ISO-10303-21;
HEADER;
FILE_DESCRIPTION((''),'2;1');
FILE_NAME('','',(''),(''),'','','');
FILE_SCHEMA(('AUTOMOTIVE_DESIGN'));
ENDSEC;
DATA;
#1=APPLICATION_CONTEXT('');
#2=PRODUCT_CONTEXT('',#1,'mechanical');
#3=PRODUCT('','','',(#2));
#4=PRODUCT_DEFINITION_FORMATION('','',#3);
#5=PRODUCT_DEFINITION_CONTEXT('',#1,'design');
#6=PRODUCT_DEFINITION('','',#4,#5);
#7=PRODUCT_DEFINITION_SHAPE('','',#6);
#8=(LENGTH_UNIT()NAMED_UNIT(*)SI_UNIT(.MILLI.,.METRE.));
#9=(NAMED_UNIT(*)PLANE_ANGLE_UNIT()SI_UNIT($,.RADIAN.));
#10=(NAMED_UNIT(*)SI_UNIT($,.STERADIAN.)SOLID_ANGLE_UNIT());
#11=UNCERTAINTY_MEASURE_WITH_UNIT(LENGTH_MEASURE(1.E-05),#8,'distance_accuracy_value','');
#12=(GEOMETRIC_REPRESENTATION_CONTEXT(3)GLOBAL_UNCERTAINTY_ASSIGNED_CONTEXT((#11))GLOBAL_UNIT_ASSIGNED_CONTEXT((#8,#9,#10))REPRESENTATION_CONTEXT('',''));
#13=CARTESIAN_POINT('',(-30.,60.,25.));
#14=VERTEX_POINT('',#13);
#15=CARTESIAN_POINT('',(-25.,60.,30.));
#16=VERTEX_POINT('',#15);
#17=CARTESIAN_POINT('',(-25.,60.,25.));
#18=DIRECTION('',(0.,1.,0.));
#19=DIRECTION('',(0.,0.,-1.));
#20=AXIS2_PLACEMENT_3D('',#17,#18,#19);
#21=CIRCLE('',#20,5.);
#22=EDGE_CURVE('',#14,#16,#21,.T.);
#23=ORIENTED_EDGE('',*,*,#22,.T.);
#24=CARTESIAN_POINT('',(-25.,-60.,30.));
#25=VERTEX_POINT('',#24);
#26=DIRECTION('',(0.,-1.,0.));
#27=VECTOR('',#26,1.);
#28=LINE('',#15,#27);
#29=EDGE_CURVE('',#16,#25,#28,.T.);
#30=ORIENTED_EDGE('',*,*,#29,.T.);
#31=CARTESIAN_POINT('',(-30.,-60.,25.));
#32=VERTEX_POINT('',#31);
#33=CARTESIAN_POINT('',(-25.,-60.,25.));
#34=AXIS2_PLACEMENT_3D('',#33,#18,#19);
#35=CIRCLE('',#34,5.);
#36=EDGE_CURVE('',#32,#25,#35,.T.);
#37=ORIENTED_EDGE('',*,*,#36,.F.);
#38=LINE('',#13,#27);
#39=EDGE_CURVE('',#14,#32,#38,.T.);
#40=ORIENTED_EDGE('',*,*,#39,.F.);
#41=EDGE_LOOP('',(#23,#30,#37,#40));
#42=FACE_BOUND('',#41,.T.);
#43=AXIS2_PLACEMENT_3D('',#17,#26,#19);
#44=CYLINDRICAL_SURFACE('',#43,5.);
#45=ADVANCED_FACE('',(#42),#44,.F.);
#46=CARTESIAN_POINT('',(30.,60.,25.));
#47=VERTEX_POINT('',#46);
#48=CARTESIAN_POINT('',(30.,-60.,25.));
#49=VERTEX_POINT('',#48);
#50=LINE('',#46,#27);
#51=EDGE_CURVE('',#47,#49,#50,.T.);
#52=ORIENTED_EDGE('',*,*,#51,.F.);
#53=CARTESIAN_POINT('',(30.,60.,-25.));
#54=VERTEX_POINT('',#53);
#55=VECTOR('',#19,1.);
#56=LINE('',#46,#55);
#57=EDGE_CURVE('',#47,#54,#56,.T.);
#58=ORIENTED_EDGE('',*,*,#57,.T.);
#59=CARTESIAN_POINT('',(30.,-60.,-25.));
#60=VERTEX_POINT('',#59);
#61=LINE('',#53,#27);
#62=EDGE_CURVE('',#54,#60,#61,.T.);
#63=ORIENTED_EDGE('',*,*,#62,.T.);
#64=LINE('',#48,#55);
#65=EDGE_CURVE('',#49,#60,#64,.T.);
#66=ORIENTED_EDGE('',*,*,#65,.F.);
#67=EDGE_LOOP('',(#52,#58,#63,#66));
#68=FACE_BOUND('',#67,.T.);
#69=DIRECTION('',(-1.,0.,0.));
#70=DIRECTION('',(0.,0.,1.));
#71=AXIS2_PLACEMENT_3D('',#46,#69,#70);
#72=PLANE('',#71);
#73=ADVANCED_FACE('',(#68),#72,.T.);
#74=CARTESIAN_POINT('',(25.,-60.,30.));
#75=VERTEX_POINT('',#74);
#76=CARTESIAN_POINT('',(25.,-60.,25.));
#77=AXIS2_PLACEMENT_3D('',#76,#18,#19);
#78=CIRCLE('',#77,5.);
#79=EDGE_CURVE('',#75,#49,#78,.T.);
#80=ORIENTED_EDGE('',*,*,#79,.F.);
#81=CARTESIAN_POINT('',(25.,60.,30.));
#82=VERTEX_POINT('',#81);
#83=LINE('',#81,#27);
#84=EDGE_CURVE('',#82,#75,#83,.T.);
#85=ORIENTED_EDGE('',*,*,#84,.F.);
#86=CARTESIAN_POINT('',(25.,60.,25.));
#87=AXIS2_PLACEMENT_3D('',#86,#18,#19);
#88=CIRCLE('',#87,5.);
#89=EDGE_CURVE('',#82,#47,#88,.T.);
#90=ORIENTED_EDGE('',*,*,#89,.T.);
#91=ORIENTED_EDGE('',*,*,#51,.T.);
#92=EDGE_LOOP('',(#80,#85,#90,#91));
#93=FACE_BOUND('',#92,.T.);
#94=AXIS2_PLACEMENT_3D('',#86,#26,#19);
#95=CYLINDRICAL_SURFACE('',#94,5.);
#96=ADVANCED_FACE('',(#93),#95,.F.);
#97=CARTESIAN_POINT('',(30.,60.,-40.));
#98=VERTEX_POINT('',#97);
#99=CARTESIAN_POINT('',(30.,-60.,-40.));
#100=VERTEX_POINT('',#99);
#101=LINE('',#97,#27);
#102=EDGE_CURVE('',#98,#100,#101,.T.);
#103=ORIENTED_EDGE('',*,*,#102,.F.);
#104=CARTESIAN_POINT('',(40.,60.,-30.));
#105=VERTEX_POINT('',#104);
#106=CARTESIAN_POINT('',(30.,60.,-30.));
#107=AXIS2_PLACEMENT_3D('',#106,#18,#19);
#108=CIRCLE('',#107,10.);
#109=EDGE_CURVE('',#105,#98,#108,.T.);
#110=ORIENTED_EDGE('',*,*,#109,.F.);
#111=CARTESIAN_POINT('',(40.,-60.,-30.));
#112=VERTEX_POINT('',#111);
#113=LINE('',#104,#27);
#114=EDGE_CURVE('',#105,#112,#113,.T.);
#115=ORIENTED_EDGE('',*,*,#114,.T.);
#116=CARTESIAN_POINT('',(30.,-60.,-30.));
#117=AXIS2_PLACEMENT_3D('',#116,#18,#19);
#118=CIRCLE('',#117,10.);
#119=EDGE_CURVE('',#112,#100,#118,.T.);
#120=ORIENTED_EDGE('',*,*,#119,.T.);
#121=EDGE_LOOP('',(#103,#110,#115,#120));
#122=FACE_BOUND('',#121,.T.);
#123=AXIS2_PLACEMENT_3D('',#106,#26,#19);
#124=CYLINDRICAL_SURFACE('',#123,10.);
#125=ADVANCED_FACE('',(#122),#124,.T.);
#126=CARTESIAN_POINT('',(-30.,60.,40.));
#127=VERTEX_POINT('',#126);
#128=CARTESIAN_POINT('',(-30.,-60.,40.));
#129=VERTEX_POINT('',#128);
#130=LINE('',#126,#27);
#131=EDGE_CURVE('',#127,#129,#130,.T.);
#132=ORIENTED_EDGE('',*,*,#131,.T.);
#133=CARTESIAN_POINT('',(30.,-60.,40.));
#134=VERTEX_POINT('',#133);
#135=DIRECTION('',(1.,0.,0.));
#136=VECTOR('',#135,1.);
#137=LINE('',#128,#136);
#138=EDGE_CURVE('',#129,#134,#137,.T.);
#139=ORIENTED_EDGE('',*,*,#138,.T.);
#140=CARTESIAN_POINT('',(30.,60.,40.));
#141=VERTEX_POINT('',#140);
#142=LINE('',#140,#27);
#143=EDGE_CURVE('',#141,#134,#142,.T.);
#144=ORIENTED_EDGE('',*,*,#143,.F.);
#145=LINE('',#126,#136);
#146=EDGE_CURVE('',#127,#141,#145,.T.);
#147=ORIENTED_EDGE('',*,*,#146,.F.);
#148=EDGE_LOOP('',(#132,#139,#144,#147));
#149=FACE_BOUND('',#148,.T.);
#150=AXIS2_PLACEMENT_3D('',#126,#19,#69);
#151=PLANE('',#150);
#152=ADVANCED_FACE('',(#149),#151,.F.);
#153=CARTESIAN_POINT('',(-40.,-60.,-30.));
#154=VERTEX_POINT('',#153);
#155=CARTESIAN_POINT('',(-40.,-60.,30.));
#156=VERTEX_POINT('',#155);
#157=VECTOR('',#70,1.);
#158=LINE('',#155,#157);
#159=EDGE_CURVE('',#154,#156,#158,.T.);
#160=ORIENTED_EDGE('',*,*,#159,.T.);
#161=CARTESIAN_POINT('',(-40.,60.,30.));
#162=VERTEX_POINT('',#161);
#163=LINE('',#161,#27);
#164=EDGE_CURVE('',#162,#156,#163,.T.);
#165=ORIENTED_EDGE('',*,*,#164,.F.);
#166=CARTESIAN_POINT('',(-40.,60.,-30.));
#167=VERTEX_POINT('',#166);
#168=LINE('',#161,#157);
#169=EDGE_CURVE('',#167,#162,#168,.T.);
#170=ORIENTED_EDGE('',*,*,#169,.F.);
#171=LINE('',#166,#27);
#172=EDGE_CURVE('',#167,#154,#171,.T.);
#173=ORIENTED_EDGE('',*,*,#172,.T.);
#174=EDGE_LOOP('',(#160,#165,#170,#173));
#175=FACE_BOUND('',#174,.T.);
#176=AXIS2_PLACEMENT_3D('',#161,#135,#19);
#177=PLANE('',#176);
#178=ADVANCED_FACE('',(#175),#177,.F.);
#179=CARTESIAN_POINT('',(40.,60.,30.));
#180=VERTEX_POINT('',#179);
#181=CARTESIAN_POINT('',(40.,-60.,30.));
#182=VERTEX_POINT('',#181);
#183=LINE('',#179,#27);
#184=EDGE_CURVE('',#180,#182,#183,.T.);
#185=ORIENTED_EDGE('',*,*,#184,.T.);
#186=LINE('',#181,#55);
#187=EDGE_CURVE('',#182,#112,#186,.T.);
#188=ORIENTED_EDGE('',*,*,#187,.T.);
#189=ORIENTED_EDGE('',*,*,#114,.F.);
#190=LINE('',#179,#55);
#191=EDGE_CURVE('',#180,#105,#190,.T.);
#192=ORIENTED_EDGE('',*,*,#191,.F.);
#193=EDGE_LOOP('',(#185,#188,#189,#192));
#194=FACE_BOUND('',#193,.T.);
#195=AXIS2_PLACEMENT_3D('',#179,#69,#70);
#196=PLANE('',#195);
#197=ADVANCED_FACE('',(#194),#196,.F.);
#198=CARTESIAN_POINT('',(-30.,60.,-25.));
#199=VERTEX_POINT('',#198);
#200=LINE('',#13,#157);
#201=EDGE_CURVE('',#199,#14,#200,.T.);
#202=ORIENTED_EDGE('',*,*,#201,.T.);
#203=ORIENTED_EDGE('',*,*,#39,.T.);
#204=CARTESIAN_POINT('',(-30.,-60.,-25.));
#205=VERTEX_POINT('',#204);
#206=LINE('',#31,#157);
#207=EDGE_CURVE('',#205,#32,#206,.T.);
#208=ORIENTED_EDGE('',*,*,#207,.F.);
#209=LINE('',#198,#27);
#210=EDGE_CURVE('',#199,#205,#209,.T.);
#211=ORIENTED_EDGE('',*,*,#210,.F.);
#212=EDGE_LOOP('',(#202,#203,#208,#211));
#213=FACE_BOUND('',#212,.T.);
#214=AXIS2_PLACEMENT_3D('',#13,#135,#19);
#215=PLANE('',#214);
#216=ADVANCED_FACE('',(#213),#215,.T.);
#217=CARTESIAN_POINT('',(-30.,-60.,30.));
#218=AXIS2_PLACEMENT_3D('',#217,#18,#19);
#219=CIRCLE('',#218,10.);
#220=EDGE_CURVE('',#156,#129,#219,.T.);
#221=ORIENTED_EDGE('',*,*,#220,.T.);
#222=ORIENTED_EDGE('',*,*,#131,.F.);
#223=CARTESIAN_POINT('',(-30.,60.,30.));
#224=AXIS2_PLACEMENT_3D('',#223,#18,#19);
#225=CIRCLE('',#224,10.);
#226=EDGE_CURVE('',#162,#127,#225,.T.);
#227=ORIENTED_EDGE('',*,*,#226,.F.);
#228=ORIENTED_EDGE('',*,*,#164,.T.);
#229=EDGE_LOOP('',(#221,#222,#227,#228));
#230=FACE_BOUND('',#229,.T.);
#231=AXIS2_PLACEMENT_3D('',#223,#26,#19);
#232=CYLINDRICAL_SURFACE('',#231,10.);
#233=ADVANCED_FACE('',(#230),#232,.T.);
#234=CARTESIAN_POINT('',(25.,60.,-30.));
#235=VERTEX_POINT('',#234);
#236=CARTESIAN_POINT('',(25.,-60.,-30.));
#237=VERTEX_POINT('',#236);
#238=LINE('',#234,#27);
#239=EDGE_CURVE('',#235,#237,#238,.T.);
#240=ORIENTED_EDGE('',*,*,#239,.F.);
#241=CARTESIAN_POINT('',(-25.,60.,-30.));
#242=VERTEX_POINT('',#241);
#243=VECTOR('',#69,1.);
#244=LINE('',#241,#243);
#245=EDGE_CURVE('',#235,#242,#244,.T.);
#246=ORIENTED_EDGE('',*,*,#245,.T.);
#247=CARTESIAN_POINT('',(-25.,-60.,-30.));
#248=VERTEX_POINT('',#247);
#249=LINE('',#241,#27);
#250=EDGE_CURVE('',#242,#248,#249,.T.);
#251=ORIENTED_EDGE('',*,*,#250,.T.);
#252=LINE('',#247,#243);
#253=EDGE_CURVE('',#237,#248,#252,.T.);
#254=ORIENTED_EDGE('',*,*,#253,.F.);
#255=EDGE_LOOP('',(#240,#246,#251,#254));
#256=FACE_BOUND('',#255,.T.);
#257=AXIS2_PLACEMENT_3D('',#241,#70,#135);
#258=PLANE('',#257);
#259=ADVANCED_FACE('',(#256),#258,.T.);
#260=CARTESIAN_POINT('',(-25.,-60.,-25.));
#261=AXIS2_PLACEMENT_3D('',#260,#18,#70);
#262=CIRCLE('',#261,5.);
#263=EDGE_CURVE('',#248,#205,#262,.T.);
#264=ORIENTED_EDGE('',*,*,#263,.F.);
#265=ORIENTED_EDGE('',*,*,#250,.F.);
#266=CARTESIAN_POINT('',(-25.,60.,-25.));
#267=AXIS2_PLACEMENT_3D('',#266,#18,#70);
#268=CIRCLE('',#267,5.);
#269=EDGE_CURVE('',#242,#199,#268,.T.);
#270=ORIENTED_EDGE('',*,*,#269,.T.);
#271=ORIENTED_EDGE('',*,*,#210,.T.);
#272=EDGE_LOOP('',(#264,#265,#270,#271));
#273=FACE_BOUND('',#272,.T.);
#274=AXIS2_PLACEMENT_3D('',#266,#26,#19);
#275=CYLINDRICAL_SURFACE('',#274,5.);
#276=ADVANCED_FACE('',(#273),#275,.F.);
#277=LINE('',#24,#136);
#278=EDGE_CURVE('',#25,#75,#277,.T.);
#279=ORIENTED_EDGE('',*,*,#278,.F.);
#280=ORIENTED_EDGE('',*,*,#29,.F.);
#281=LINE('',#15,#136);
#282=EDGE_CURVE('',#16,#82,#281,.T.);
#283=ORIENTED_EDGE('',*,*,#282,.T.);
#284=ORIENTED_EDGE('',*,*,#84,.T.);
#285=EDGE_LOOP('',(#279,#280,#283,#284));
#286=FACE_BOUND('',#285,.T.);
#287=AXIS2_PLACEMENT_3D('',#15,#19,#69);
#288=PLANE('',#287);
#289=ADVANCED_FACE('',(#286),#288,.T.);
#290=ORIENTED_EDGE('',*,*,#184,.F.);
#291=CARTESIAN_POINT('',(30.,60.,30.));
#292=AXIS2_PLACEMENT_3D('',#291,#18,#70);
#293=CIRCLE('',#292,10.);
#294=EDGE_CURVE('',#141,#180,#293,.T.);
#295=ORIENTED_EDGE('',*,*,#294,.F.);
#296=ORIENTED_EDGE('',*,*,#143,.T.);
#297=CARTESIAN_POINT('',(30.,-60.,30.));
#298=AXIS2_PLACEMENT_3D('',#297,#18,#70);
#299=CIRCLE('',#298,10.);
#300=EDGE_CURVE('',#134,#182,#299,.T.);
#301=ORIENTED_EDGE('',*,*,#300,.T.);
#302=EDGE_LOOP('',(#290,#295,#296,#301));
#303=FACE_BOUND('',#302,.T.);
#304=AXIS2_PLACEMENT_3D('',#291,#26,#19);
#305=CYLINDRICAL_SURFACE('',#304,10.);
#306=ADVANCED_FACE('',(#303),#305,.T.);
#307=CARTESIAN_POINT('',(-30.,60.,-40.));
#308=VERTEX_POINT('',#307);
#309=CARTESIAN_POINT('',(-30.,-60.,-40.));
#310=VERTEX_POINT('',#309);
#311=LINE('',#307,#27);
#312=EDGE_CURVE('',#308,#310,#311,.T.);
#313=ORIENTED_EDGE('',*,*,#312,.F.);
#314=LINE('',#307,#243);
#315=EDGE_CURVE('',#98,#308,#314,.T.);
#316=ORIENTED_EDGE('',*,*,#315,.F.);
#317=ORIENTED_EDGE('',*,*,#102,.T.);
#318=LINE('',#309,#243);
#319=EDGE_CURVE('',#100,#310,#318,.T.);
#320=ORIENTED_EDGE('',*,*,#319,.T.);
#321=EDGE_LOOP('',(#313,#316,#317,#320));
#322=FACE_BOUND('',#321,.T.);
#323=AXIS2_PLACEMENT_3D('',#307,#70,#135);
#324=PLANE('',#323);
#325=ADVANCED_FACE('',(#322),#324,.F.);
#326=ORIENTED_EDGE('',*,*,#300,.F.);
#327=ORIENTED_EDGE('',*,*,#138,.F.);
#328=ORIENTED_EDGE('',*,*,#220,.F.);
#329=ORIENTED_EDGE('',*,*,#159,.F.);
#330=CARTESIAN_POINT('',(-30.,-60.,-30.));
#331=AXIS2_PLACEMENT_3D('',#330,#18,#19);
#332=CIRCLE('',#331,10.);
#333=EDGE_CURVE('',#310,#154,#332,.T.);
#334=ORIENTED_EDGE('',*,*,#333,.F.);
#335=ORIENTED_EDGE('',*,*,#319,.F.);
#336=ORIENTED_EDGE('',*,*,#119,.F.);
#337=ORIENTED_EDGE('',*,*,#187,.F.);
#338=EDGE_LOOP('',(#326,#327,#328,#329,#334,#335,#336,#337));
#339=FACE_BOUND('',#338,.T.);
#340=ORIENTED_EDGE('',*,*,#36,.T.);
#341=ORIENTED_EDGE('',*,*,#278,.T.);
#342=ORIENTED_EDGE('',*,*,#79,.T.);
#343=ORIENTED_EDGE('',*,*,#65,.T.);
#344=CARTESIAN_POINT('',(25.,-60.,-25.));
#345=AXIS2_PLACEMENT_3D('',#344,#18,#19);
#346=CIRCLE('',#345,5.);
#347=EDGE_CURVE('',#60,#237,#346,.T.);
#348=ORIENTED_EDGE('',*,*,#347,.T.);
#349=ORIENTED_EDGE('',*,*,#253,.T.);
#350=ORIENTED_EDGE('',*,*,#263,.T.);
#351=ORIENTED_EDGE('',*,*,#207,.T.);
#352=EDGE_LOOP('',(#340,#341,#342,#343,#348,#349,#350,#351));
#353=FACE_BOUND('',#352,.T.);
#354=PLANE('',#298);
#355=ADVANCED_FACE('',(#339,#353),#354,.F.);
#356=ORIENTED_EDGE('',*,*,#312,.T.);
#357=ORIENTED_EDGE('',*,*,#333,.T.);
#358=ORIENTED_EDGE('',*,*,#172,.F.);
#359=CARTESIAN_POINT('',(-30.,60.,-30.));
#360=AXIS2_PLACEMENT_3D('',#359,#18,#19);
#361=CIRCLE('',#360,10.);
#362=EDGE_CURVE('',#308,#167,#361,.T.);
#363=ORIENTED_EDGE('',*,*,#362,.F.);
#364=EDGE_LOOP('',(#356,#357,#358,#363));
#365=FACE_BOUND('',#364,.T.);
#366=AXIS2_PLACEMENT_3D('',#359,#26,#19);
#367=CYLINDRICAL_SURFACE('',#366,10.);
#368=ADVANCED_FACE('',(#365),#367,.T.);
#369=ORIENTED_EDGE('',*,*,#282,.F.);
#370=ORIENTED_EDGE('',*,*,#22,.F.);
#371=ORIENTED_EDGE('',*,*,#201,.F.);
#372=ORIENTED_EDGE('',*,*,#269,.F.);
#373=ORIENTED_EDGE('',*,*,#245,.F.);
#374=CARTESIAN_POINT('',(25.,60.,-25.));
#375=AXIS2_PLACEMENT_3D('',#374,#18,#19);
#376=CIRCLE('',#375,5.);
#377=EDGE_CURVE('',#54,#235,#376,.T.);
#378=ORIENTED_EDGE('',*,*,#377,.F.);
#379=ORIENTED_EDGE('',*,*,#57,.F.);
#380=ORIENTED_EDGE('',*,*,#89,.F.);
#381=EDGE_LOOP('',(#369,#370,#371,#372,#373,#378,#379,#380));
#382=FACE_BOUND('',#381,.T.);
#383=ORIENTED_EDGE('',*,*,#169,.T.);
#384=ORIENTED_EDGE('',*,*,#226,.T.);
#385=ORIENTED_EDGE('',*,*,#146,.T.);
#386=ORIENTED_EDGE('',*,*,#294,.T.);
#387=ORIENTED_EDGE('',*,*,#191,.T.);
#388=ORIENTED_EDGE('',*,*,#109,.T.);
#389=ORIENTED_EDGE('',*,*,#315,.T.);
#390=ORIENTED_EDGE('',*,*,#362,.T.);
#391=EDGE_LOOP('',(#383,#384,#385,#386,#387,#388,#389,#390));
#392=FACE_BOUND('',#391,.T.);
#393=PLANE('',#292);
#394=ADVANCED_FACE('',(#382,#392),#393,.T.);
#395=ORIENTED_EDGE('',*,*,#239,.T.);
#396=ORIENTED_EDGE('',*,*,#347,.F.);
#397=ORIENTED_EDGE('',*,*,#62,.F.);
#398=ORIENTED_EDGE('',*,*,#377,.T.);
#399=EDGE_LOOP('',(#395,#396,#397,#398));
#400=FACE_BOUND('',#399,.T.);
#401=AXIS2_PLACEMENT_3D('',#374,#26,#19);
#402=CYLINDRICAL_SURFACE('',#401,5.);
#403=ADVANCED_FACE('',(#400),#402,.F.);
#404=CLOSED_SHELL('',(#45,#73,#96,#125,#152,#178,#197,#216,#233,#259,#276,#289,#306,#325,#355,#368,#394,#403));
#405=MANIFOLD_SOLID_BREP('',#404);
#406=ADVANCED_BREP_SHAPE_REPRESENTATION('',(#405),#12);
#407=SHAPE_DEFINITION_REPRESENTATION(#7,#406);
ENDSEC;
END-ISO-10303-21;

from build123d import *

# Parameters (mm, degrees)
BOSS_EXTRUDE1_DEPTH = 60


with BuildPart() as part:
    # Sketch1 → Boss-Extrude1 (new body, symmetric)
    with BuildSketch(Plane(origin=(0, 0, 0), x_dir=(1, 0, 0), z_dir=(0, 1, 0))):
        with BuildLine():
            Line((-30, -40), (30, -40))
            ThreePointArc((30, -40), (37.071067812, -37.071067812), (40, -30))
            Line((40, -30), (40, 30))
            ThreePointArc((40, 30), (37.071067812, 37.071067812), (30, 40))
            Line((30, 40), (-30, 40))
            ThreePointArc((-30, 40), (-37.071067812, 37.071067812), (-40, 30))
            Line((-40, 30), (-40, -30))
            ThreePointArc((-40, -30), (-37.071067812, -37.071067812), (-30, -40))
        make_face()
        with BuildLine():
            Line((-25, 30), (25, 30))
            ThreePointArc((25, 30), (28.535533906, 28.535533906), (30, 25))
            Line((30, 25), (30, -25))
            ThreePointArc((30, -25), (28.535533906, -28.535533906), (25, -30))
            Line((25, -30), (-25, -30))
            ThreePointArc((-25, -30), (-28.535533906, -28.535533906), (-30, -25))
            Line((-30, -25), (-30, 25))
            ThreePointArc((-30, 25), (-28.535533906, 28.535533906), (-25, 30))
        make_face(mode=Mode.SUBTRACT)
    extrude(amount=BOSS_EXTRUDE1_DEPTH, both=True)


solid = part.part
